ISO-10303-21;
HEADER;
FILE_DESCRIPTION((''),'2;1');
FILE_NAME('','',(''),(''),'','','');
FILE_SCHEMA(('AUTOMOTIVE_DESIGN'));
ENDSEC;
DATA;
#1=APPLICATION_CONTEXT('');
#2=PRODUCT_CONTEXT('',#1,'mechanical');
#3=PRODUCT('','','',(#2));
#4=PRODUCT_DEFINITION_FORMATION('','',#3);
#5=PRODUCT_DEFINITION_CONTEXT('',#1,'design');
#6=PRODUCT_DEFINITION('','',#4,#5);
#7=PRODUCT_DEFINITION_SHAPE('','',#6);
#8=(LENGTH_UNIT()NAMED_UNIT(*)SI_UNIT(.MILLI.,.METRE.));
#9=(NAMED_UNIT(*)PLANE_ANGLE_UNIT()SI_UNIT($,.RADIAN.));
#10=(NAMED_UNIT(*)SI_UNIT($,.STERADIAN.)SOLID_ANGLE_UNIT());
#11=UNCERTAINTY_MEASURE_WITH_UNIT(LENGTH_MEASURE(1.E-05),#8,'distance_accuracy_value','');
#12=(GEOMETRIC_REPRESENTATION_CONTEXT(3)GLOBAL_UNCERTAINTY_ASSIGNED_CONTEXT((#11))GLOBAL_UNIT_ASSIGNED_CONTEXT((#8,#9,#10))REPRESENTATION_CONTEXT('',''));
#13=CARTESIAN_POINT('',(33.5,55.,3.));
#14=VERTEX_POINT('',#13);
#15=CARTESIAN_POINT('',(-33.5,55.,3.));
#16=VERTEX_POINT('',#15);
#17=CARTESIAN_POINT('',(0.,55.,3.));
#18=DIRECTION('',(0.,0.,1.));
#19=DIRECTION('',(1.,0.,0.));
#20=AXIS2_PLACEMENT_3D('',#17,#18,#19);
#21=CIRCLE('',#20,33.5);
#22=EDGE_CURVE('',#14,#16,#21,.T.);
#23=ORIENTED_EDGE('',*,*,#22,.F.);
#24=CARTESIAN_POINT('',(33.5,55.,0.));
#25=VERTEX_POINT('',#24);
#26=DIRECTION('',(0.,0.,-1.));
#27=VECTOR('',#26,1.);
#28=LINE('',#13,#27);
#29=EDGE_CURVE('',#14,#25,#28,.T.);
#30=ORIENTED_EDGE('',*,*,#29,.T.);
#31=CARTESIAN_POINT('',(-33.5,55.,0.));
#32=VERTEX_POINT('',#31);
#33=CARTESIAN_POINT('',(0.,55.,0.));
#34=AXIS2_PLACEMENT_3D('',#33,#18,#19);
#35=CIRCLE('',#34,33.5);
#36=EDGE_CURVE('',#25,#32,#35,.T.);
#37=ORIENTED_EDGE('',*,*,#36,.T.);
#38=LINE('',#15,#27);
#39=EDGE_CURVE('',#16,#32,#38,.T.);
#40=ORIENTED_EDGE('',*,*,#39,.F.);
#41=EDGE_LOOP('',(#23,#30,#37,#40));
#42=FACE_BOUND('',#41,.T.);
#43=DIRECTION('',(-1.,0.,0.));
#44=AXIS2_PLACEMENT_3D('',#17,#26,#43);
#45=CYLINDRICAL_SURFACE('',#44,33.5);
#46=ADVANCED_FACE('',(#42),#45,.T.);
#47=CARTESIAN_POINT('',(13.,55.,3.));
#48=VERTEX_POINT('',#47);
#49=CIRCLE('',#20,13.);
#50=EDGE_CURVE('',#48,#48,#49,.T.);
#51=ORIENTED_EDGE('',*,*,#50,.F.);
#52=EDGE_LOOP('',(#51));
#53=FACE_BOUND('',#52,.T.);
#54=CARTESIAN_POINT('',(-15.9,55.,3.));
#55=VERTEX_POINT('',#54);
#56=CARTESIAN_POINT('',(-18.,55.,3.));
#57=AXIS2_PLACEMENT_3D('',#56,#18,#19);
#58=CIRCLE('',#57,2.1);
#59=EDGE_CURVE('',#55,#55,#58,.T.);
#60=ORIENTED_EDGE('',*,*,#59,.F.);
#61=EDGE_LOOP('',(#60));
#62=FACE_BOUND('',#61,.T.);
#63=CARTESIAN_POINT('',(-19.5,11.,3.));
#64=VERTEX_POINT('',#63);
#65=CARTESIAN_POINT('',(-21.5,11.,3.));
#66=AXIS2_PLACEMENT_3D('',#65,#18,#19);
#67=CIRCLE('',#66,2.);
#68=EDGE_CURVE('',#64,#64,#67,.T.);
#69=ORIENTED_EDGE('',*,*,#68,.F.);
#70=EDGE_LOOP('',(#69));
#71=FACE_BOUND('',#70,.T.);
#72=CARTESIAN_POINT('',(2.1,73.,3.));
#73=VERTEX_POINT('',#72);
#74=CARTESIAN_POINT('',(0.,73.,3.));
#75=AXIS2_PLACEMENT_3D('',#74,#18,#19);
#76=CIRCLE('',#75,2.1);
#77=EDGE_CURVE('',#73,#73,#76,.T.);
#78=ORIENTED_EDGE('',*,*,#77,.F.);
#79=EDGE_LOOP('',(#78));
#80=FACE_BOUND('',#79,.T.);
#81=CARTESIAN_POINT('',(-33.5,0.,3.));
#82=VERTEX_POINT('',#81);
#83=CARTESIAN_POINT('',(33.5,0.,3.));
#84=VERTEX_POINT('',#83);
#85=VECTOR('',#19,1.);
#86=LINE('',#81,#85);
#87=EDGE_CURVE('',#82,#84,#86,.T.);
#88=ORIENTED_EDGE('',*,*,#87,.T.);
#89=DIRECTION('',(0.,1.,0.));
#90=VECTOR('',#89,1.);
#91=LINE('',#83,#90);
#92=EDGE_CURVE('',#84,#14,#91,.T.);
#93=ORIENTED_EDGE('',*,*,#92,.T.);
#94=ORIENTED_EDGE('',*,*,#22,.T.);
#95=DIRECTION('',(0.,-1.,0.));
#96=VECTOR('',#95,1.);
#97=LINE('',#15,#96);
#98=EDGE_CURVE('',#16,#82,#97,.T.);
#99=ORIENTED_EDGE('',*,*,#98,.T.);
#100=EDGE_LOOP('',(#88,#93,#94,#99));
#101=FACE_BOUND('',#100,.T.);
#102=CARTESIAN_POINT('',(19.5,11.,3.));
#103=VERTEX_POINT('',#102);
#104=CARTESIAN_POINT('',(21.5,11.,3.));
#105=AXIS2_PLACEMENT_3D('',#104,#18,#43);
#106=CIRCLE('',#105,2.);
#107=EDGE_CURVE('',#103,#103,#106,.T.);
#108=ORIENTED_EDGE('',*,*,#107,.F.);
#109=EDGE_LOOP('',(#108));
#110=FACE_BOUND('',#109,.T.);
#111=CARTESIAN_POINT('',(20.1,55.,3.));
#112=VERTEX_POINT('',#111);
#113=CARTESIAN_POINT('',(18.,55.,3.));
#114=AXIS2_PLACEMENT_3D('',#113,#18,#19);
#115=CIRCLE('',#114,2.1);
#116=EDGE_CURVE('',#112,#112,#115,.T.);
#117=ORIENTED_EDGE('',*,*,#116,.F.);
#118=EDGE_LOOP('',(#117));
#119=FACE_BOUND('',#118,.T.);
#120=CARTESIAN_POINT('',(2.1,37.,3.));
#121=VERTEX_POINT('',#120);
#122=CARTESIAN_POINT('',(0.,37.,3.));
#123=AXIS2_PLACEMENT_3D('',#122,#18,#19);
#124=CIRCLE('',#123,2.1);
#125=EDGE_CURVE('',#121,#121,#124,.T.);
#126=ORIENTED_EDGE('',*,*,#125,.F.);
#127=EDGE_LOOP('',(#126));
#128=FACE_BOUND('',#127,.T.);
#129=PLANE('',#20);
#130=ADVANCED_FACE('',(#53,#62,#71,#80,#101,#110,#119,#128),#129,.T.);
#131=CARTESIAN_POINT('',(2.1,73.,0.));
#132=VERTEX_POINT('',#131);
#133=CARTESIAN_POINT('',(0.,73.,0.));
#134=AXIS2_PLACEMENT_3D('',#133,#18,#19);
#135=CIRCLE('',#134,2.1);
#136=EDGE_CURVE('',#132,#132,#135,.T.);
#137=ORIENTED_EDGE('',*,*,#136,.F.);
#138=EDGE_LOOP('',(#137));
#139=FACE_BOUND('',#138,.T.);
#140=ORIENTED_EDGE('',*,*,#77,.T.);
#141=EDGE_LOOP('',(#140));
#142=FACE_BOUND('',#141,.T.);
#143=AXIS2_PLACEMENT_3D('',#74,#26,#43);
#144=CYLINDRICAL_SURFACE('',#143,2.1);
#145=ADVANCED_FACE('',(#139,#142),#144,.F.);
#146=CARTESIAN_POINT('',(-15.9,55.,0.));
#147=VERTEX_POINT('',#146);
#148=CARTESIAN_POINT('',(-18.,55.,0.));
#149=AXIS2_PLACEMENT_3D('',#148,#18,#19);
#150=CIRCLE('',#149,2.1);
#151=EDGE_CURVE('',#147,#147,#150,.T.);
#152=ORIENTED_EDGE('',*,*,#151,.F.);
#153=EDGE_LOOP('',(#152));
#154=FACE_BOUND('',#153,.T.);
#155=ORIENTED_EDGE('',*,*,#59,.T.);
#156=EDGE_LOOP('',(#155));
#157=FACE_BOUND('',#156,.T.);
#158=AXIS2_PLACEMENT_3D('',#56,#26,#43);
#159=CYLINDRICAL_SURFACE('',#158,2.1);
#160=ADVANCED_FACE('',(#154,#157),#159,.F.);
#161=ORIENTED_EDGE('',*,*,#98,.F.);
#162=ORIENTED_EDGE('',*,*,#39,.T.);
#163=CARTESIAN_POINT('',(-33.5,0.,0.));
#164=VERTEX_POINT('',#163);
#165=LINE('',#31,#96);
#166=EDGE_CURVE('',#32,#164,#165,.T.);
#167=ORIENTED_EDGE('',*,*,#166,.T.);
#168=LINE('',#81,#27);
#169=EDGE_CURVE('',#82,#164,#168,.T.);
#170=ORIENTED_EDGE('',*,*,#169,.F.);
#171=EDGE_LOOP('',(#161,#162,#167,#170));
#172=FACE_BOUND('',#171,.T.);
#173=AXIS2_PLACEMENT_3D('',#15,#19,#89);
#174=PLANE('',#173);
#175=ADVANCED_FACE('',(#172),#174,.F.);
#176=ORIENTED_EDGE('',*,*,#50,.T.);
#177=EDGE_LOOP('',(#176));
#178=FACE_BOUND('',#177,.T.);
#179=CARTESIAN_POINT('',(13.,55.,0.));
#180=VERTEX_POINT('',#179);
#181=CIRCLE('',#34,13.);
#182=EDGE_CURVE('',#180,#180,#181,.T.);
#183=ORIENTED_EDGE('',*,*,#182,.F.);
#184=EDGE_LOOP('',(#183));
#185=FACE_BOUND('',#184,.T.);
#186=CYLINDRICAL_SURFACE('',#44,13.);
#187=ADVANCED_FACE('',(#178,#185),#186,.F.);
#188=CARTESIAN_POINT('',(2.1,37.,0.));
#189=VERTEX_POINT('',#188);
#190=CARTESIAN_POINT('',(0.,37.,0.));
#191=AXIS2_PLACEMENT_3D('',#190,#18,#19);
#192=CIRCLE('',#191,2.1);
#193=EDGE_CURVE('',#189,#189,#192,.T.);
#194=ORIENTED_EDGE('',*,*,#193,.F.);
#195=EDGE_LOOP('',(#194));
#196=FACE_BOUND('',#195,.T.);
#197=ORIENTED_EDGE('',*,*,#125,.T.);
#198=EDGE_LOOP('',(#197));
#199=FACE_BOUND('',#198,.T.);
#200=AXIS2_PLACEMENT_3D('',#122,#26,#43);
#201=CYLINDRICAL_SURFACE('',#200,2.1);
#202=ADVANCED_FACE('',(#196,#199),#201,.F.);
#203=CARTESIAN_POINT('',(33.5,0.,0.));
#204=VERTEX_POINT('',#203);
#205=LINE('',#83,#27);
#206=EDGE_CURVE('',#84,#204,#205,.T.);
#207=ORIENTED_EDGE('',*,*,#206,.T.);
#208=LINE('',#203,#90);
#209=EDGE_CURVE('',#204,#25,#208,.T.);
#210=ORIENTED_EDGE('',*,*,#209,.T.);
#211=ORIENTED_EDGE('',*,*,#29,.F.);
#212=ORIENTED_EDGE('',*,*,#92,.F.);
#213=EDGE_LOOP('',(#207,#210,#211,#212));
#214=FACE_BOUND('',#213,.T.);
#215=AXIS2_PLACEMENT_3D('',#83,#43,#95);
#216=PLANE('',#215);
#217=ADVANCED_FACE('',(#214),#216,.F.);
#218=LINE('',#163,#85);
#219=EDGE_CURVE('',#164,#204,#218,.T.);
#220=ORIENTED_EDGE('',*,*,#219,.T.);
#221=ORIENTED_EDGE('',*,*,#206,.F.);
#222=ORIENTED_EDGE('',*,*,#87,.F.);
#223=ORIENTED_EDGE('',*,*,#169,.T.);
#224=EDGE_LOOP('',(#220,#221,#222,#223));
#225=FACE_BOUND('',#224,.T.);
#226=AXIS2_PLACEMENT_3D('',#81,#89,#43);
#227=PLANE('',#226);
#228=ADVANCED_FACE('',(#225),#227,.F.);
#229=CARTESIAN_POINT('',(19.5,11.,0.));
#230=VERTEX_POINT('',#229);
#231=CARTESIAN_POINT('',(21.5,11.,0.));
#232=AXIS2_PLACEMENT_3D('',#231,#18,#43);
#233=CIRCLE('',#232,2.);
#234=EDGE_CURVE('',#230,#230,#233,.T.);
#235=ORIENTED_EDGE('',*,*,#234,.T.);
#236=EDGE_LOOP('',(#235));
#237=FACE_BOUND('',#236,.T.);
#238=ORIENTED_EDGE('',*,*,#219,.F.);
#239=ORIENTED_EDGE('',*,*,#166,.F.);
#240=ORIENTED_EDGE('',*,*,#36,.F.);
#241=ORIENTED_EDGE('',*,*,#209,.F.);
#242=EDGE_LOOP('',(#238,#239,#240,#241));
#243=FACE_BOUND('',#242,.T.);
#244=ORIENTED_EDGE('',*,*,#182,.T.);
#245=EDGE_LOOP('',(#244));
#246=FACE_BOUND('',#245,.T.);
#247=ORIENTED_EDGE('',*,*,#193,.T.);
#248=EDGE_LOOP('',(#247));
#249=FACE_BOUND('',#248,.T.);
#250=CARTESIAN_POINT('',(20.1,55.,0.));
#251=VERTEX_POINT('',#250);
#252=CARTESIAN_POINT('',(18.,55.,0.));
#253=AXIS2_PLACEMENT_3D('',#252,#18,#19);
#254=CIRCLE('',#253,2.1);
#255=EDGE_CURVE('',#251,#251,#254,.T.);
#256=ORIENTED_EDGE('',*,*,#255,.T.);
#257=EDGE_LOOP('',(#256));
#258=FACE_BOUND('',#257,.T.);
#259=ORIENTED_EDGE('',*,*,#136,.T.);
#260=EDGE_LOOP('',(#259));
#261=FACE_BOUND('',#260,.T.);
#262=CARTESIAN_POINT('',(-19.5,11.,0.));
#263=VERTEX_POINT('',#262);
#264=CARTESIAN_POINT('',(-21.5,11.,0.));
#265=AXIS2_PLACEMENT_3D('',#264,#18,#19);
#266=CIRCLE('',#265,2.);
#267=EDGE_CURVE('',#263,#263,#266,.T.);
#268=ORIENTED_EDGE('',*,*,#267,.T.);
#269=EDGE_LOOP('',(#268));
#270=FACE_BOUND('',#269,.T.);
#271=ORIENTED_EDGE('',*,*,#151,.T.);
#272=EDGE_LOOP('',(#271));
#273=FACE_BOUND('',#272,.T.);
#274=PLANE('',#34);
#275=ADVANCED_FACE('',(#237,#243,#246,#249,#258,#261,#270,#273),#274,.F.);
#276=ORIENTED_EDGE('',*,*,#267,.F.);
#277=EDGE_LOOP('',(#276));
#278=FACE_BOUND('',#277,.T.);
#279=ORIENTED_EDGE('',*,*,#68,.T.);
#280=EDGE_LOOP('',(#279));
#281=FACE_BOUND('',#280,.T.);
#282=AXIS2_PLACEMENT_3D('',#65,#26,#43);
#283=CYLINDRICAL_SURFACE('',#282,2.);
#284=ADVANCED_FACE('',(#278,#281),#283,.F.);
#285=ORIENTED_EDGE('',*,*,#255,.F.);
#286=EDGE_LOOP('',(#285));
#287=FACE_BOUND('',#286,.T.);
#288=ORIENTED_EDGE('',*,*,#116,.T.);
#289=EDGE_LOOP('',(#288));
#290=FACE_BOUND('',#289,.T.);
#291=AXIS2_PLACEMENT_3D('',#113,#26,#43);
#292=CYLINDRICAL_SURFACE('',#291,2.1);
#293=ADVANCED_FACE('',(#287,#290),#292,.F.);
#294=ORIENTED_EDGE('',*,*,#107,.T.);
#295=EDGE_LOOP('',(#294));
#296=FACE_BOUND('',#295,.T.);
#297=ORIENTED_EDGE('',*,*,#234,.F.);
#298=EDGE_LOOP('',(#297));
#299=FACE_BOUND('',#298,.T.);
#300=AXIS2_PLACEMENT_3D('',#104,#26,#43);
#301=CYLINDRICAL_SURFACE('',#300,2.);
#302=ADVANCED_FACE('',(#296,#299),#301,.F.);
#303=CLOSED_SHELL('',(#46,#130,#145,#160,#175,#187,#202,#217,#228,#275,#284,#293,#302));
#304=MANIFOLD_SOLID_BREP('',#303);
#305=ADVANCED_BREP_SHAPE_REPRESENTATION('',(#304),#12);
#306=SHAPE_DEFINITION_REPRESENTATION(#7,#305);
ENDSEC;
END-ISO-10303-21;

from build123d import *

# Parameters (mm, degrees)
SKETCH1_R           = 13
SKETCH1_R_2         = 2.1
SKETCH1_R_3         = 2
BOSS_EXTRUDE1_DEPTH = 3


with BuildPart() as part:
    # Sketch1 → Boss-Extrude1 (new body)
    with BuildSketch(Plane.XY):
        with BuildLine():
            Line((-33.5, 0), (33.5, 0))
            Line((33.5, 0), (33.5, 55))
            ThreePointArc((33.5, 55), (0, 88.5), (-33.5, 55))
            Line((-33.5, 55), (-33.5, 0))
        make_face()
        with Locations((0, 55)):
            Circle(SKETCH1_R, mode=Mode.SUBTRACT)
        with Locations((0, 37)):
            Circle(SKETCH1_R_2, mode=Mode.SUBTRACT)
        with Locations((-21.5, 11)):
            Circle(SKETCH1_R_3, mode=Mode.SUBTRACT)
        with Locations((21.5, 11)):
            Circle(SKETCH1_R_3, mode=Mode.SUBTRACT)
        with Locations((-18, 55)):
            Circle(SKETCH1_R_2, mode=Mode.SUBTRACT)
        with Locations((0, 73)):
            Circle(SKETCH1_R_2, mode=Mode.SUBTRACT)
        with Locations((18, 55)):
            Circle(SKETCH1_R_2, mode=Mode.SUBTRACT)
    extrude(amount=BOSS_EXTRUDE1_DEPTH)


solid = part.part
